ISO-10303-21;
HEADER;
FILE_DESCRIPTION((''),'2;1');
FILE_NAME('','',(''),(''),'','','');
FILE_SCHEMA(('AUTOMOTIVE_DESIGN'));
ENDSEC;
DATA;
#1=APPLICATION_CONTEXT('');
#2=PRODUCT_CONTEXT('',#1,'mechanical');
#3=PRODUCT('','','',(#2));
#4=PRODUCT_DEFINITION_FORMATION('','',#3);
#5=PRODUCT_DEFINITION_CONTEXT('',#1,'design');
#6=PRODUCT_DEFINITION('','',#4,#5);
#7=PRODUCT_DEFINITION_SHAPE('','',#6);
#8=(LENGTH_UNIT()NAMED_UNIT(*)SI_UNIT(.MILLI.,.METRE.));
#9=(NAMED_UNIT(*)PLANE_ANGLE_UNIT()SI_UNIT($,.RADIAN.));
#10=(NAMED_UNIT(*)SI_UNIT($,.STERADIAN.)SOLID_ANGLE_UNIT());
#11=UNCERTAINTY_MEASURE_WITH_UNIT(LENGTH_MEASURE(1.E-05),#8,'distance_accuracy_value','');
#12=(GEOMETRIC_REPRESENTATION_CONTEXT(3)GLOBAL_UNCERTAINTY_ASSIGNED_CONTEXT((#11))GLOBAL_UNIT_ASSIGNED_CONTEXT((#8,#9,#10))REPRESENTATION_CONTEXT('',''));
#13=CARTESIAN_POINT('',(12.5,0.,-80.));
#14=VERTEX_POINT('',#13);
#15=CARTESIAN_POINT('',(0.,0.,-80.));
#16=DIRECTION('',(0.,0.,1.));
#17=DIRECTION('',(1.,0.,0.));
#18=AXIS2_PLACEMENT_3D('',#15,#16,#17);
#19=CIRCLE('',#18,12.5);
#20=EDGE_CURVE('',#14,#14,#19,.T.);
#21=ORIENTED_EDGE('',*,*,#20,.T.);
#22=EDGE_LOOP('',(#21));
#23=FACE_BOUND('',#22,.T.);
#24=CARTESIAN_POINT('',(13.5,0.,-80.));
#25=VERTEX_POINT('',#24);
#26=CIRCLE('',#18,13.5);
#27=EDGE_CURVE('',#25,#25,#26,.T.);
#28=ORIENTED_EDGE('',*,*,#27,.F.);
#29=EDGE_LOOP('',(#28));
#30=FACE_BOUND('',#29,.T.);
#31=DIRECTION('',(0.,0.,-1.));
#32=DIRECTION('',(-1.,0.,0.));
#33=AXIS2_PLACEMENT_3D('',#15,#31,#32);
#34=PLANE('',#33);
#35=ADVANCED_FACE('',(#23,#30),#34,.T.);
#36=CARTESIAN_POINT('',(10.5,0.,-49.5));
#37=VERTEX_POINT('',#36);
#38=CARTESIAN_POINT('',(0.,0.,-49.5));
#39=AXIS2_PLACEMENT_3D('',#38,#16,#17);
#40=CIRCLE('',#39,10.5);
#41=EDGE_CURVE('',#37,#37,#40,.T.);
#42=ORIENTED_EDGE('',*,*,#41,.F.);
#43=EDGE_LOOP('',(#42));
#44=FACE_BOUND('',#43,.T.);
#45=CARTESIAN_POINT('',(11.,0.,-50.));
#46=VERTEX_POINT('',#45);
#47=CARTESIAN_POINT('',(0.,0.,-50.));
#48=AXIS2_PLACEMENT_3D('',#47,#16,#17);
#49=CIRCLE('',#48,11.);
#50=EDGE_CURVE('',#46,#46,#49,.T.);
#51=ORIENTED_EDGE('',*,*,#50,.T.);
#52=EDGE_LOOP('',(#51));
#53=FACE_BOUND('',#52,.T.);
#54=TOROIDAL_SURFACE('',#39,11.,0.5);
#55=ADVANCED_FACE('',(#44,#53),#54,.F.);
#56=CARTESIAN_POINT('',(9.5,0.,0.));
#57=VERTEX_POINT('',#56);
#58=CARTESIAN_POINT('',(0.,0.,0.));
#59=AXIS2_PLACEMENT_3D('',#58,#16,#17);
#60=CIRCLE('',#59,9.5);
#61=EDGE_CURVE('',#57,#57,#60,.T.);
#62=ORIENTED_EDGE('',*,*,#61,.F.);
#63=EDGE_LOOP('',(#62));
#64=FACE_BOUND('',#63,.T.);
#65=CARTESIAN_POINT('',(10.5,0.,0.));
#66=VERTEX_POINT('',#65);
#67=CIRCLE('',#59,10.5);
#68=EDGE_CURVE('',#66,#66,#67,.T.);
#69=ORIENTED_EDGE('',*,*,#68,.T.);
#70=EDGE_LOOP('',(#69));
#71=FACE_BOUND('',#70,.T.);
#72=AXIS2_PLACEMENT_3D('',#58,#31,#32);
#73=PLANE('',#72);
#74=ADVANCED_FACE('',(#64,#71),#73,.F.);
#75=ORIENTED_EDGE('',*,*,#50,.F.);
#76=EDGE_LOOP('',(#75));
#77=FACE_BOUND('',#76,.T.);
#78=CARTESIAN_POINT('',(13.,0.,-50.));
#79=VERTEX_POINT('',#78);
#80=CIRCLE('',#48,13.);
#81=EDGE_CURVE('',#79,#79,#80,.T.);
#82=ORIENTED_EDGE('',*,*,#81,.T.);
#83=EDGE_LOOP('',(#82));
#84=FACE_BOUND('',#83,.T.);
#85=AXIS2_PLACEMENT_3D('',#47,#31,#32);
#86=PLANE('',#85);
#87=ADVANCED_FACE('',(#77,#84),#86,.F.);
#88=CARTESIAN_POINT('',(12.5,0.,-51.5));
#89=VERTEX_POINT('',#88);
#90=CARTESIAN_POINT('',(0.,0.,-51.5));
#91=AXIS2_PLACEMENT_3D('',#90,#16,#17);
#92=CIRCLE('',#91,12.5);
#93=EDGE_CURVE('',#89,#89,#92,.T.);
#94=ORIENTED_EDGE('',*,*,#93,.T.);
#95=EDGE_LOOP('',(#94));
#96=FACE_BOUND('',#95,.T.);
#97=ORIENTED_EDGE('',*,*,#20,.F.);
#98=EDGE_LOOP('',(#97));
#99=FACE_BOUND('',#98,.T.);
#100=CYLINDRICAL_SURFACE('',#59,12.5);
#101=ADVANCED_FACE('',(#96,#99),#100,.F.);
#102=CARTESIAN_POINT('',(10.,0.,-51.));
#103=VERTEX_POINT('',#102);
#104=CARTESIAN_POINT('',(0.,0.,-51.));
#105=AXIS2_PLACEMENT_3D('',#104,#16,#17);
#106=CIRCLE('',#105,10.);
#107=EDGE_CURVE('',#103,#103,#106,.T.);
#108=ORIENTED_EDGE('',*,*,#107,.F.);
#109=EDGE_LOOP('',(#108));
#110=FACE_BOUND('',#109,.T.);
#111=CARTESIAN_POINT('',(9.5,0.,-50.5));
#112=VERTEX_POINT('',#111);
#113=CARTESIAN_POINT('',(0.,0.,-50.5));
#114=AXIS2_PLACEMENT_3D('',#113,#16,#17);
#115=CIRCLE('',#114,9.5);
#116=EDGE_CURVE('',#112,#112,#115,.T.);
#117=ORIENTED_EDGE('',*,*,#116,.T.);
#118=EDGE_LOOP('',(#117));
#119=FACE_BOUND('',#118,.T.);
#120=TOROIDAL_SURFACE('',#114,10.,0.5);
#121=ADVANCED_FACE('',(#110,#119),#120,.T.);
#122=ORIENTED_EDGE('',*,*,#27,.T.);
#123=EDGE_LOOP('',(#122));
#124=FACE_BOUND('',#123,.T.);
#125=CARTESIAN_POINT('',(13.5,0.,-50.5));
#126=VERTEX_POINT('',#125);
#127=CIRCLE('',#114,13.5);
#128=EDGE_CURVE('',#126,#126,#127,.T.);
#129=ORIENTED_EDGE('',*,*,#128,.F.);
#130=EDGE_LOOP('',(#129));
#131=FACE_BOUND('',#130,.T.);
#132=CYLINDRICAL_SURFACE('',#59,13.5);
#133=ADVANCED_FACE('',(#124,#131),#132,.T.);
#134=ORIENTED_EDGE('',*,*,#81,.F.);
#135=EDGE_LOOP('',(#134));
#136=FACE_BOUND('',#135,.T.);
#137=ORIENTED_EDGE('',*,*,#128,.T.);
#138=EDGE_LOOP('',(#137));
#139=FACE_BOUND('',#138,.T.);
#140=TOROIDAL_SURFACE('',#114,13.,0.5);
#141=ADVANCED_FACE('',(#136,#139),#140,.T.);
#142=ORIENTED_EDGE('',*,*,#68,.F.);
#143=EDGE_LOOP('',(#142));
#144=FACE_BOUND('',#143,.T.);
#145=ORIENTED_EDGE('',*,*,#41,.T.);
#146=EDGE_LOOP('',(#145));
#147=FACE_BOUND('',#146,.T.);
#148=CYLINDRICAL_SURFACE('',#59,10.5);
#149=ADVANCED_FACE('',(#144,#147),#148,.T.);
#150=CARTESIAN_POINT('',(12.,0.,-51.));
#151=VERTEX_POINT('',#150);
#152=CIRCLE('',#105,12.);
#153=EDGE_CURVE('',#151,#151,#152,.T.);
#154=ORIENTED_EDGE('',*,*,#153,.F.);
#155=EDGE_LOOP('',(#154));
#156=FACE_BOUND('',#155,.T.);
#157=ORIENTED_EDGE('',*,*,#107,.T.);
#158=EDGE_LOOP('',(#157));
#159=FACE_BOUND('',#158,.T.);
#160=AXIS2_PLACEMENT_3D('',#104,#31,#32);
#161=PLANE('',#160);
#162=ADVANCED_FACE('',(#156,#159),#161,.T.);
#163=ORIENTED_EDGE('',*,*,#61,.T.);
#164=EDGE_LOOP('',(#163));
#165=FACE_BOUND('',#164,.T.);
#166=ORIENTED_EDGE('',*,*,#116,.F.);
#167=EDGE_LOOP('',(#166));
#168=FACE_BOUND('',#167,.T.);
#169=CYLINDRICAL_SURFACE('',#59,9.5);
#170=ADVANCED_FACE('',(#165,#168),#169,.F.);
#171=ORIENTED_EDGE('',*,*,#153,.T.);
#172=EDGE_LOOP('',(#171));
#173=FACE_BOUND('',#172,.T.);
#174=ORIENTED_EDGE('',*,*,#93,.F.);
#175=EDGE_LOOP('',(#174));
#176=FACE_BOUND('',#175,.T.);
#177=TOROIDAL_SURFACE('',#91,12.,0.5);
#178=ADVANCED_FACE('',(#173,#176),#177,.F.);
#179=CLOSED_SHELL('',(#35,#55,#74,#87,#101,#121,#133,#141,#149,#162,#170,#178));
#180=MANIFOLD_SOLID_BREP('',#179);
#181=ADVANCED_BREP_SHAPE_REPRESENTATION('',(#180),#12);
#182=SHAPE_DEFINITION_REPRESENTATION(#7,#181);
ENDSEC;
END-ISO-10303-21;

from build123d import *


with BuildPart() as part:
    # Sketch1 → Revolve4 (revolve)
    with BuildSketch(Plane(origin=(0, 0, 0), x_dir=(0, 0, -1), z_dir=(1, 0, 0))):
        with BuildLine():
            Line((50, 13), (50, 11))
            ThreePointArc((50, 11), (49.853553391, 10.646446609), (49.5, 10.5))
            Line((49.5, 10.5), (0, 10.5))
            Line((0, 10.5), (0, 9.5))
            Line((0, 9.5), (50.5, 9.5))
            ThreePointArc((50.5, 9.5), (50.853553391, 9.646446609), (51, 10))
            Line((51, 10), (51, 12))
            ThreePointArc((51, 12), (51.146446609, 12.353553391), (51.5, 12.5))
            Line((51.5, 12.5), (80, 12.5))
            Line((80, 12.5), (80, 13.5))
            Line((80, 13.5), (50.5, 13.5))
            ThreePointArc((50.5, 13.5), (50.146446609, 13.353553391), (50, 13))
        make_face()
    revolve(axis=Axis((0, 0, 0), (0, 0, -1)))


solid = part.part
